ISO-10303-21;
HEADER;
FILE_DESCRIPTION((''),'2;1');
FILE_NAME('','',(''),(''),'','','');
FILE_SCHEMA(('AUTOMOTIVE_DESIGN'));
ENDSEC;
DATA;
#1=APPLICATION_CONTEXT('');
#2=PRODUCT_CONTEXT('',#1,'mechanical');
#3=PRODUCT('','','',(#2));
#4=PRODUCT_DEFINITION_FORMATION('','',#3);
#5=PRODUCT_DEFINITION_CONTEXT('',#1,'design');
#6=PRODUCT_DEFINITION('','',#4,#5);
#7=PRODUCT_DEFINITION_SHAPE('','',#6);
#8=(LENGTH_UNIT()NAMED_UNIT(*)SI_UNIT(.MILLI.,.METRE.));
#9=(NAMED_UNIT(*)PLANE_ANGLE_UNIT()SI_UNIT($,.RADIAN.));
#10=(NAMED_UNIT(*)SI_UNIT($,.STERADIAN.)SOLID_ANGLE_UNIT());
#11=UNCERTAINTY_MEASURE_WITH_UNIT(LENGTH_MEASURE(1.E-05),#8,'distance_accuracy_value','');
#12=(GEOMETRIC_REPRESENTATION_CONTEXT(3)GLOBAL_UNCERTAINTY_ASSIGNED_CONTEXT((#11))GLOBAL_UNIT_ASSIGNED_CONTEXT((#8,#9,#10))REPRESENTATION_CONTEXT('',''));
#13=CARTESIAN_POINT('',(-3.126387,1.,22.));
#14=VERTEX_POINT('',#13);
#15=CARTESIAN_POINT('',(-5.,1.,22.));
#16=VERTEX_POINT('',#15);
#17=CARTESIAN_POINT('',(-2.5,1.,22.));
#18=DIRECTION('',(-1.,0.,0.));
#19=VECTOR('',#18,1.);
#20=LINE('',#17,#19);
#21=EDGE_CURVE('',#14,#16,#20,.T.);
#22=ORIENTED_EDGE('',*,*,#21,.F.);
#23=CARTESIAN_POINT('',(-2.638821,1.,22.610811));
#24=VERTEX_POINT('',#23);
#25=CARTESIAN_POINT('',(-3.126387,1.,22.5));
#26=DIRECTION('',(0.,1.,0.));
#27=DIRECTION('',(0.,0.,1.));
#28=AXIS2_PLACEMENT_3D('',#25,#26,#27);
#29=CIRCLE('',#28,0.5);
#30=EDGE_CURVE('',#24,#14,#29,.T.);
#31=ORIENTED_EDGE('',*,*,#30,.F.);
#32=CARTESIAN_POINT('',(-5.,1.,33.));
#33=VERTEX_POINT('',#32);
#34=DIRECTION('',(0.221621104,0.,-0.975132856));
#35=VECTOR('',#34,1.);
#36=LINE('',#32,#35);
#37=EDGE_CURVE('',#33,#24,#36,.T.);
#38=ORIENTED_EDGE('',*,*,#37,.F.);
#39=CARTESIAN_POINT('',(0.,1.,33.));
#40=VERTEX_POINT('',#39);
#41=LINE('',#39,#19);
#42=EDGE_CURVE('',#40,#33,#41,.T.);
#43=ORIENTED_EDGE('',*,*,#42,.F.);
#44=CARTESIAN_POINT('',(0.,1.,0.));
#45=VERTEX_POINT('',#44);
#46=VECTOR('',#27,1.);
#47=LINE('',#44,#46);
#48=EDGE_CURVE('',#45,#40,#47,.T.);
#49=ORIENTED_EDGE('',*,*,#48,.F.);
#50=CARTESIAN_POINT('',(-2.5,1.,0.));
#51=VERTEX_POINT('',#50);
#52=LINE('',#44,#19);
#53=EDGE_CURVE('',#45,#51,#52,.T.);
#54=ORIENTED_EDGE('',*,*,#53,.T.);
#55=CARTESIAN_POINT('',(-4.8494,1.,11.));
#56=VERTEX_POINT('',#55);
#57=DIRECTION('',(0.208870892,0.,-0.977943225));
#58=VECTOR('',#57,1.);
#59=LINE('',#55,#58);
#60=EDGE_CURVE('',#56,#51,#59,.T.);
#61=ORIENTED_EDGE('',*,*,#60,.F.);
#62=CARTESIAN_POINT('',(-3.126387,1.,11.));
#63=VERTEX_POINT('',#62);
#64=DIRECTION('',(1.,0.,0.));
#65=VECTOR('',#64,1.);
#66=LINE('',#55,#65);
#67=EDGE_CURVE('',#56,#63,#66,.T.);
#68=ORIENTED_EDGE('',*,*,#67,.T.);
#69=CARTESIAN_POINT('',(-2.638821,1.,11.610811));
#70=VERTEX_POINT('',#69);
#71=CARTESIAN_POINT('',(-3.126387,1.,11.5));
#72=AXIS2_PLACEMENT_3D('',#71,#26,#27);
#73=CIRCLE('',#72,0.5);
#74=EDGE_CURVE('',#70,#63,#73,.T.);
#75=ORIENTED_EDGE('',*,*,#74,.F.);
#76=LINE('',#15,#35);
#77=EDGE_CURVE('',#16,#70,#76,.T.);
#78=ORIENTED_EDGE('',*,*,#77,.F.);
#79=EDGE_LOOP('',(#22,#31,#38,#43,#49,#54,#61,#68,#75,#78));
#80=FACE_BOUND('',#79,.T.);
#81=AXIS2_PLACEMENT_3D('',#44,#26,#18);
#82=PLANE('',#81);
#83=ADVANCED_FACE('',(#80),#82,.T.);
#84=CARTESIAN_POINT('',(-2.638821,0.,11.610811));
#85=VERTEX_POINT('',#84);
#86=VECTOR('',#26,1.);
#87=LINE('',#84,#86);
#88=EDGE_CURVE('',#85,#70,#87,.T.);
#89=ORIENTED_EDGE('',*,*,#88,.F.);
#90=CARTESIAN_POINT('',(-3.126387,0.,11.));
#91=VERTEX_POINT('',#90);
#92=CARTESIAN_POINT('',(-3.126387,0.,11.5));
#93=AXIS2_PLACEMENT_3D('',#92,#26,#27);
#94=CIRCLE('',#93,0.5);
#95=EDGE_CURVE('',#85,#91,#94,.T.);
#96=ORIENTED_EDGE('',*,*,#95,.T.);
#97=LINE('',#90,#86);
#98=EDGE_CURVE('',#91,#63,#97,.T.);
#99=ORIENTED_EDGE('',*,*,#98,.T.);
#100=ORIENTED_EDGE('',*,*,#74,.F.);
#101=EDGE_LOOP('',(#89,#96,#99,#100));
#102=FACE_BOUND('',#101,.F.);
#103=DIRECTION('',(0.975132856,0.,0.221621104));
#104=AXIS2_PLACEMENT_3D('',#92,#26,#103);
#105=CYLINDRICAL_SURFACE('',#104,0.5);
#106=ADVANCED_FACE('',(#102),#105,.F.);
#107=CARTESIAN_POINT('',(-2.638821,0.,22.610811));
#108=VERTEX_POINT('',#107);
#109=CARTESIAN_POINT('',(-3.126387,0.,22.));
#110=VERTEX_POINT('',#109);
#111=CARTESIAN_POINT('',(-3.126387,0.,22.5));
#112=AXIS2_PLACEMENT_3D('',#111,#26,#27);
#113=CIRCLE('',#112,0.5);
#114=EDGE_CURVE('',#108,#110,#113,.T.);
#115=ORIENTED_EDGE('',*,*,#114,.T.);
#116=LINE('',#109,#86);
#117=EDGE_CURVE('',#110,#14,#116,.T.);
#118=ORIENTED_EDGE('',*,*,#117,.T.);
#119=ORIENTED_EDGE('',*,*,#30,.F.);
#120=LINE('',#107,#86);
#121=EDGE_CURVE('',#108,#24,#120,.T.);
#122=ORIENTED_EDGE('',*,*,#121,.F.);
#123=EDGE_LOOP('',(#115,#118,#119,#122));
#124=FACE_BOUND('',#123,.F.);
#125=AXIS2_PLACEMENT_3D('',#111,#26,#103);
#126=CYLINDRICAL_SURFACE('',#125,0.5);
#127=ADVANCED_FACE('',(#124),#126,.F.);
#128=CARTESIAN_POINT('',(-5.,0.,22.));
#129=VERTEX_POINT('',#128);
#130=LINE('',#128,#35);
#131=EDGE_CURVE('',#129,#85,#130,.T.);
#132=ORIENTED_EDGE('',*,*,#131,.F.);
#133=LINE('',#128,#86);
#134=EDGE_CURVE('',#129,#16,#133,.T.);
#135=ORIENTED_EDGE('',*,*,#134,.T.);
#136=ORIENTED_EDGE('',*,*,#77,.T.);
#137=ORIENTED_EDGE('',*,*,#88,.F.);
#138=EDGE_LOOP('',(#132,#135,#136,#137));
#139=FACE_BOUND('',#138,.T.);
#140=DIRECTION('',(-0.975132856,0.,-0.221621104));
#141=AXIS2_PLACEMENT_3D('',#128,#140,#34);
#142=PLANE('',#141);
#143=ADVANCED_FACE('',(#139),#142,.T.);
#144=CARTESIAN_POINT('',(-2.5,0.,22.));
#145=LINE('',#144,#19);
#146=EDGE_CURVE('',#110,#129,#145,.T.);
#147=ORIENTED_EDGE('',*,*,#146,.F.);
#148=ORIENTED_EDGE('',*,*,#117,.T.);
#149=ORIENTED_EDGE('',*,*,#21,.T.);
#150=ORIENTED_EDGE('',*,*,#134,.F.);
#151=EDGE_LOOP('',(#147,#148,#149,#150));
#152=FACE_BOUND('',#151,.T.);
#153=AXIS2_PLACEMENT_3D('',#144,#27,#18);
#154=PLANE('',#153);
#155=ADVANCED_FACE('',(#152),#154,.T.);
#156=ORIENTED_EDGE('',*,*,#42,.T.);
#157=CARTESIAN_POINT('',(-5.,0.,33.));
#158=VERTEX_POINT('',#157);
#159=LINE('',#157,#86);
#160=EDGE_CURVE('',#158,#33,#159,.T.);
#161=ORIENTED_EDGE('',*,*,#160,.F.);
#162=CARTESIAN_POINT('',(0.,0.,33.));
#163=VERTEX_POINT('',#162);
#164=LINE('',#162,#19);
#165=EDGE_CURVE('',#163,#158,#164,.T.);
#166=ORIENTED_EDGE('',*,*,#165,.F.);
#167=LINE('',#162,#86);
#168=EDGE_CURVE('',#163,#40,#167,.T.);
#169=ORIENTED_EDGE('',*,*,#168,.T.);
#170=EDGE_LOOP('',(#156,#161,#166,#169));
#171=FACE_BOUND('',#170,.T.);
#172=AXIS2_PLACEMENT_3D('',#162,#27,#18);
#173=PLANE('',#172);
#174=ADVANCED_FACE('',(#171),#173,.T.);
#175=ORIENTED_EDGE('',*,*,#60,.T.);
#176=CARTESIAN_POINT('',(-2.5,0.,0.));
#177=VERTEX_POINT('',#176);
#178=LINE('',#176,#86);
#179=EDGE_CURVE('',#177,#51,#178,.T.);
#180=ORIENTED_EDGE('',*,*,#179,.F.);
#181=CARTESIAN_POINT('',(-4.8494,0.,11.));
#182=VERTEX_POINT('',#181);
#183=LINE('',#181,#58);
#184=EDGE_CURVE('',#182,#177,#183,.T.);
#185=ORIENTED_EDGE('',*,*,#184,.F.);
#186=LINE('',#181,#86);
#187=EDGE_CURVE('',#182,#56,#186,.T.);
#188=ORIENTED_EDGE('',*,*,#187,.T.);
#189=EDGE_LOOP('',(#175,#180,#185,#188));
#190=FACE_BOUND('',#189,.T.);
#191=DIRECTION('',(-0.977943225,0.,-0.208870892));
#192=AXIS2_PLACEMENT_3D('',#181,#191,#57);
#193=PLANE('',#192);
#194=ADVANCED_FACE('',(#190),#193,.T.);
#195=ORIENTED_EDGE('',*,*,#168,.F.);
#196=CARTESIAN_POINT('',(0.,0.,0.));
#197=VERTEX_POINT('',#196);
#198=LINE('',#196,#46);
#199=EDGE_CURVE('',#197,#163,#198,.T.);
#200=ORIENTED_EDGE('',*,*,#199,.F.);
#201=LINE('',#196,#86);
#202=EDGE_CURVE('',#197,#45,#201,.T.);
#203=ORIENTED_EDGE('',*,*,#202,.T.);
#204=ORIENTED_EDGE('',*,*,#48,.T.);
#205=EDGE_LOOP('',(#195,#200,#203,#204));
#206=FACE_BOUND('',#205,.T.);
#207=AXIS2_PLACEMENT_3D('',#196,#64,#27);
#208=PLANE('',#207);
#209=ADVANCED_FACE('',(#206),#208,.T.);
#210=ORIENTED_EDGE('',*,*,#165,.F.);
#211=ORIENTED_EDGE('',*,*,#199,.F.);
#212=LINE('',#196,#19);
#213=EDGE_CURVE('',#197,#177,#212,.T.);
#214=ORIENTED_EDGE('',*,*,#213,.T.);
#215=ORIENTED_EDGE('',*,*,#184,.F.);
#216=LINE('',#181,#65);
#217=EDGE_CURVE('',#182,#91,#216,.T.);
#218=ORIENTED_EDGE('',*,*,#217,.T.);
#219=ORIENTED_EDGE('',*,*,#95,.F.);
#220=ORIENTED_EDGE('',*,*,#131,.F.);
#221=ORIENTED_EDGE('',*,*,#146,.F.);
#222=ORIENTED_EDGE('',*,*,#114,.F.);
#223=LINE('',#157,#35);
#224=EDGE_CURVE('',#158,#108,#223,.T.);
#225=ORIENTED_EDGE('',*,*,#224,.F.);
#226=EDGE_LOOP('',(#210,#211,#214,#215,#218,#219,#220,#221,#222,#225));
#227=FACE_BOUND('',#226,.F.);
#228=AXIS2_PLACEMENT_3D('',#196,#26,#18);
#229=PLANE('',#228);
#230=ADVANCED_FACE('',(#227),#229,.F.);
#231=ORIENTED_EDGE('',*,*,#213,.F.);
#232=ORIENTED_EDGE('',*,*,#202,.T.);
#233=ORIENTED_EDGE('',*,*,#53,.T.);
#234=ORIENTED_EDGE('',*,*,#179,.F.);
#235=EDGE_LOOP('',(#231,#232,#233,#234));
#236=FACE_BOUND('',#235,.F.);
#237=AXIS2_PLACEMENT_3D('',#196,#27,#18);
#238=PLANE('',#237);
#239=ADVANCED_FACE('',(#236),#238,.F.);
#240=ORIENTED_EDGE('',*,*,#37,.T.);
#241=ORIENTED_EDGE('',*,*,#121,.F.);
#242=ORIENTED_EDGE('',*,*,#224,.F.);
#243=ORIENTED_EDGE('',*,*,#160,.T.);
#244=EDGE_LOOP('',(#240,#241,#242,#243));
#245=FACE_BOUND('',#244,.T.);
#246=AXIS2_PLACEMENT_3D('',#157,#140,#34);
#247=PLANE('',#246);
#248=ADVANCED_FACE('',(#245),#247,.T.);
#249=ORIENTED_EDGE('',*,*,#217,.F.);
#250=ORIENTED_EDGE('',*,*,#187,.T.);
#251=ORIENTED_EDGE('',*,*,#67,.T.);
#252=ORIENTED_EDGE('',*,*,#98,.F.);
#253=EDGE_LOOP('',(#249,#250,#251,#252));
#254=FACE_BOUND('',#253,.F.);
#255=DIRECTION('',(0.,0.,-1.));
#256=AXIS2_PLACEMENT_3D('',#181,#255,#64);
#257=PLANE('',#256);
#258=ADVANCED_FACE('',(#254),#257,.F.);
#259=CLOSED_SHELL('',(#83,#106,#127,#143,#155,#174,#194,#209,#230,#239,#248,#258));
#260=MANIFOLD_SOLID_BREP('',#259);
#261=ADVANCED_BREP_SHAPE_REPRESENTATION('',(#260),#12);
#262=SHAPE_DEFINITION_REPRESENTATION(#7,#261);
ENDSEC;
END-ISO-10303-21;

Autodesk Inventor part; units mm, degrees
ref_plane "YZ Plane" through (0, 0, 0) normal (1, 0, 0) x (0, 1, 0)
ref_plane "XZ Plane" through (0, 0, 0) normal (0, 1, 0) x (-1, 0, 0)
ref_plane "XY Plane" through (0, 0, 0) normal (0, 0, 1) x (1, 0, 0)
sketch "Sketch1" plane through (0, 0, 0) normal (0, 1, 0) x (-1, 0, 0)
  line L0 (0, 0) -> (0, 33)
  line L1 (0, 33) -> (5, 33)
  line L2 (0, 0) -> (0, 11) construction
  line L3 (0, 11) -> (0, 22) construction
  line L4 (0, 22) -> (0, 33) construction
  line L5 (0, 22) -> (5, 22) construction
  line L6 (0, 11) -> (5, 11) construction
  line L7 (5, 33) -> (2.5, 22)
  line L8 (2.5, 22) -> (5, 22)
  line L9 (5, 22) -> (2.5, 11)
  line L10 (4.8494, 11) -> (2.5, 11)
  line L11 (0, 0) -> (5, 0) construction
  line L12 (4.8494, 11) -> (2.5, 0)
  line L13 (0, 0) -> (2.5, 0)
  dimension "d0" = 33
  dimension "d1" = 5
  dimension "d13" = 11
  dimension "d14" = 11
  dimension "d15" = 5
  dimension "d16" = 5
  dimension "d17" = 5
extrude "Extrusion1" add sketch "Sketch1" along normal blind 1
fillet "Fillet1" radius 0.5 2 edges at (-2.5, 0.5, 11) (-2.5, 0.5, 22)
properties part number "spikyboi" material "Titanium"
